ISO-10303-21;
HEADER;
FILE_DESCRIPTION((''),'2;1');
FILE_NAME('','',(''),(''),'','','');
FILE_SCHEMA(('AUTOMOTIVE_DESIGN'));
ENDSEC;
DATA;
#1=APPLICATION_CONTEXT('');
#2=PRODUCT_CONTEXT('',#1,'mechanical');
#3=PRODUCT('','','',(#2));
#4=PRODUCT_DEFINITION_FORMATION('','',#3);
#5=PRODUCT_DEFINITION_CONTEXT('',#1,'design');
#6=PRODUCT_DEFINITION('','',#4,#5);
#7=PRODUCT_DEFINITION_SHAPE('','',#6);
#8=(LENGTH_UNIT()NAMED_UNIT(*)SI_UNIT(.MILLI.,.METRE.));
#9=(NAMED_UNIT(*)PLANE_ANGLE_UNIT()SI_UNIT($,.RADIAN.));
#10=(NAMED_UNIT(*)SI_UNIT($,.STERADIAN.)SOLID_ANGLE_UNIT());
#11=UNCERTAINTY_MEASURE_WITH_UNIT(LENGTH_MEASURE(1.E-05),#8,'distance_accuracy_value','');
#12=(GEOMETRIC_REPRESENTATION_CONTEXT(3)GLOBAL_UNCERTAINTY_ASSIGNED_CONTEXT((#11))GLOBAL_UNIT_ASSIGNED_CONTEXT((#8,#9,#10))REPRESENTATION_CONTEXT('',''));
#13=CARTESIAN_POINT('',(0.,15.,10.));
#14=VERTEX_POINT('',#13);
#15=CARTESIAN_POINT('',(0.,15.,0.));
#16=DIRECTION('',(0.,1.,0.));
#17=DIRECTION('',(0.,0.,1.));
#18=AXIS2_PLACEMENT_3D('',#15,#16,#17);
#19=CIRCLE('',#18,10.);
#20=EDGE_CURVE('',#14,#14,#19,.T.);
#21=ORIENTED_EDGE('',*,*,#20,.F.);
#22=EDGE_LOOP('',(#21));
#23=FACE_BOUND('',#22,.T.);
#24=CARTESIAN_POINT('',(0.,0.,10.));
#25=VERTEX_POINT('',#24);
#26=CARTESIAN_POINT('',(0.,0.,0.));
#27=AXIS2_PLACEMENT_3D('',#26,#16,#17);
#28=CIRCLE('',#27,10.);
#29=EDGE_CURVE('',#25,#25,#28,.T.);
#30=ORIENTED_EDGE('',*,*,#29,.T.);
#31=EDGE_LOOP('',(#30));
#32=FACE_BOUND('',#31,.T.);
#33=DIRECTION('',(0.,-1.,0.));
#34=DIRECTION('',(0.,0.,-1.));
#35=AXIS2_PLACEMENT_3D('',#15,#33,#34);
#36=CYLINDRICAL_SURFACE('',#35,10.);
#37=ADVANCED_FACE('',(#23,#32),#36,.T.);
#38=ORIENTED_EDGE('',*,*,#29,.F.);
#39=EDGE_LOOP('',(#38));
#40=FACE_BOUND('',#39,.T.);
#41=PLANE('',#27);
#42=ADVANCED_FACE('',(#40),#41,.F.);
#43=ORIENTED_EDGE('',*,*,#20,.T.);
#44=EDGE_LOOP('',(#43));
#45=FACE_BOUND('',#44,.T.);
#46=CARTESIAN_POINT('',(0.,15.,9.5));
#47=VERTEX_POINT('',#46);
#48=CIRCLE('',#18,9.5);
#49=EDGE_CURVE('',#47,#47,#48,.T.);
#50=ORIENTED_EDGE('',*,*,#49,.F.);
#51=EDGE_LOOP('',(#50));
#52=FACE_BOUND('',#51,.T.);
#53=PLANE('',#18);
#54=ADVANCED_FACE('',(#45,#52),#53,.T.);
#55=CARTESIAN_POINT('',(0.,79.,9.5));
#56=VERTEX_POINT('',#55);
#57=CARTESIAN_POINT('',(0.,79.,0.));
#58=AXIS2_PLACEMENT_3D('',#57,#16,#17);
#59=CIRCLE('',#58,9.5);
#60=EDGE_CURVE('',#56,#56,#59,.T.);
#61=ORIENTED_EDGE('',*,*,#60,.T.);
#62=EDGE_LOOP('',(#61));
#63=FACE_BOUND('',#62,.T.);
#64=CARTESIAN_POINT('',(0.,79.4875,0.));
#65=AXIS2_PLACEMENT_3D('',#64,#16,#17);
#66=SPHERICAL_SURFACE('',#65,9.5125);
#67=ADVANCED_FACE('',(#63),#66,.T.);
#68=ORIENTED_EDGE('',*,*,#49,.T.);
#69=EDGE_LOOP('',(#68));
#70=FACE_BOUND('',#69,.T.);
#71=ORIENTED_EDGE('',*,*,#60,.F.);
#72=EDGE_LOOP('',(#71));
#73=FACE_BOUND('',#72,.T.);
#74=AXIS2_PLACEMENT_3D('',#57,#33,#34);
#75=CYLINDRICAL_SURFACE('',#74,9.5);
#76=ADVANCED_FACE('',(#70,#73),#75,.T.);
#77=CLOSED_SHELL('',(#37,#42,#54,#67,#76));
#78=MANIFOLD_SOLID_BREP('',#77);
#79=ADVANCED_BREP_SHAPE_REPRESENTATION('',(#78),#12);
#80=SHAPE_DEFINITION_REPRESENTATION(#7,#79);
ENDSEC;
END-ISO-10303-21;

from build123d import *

# Parameters (mm, degrees)
SKETCH1_R           = 10
BOSS_EXTRUDE1_DEPTH = 15
BOSS_EXTRUDE3_START = -15
SKETCH3_R           = 9.5
BOSS_EXTRUDE3_DEPTH = 64
DOME1_FACE_RADIUS   = 9.5
DOME1_HEIGHT        = 10


with BuildPart() as part:
    # Sketch1 → Boss-Extrude1 (new body)
    with BuildSketch(Plane(origin=(0, 0, 0), x_dir=(1, 0, 0), z_dir=(0, 1, 0))):
        Circle(SKETCH1_R)
    extrude(amount=BOSS_EXTRUDE1_DEPTH)

    # Sketch3 → Boss-Extrude3 (add)
    with BuildSketch(Plane.XZ.offset(BOSS_EXTRUDE3_START)):
        Circle(SKETCH3_R)
    extrude(amount=-BOSS_EXTRUDE3_DEPTH)

    # Dome1: a dome of height H over a round flat face of radius A is a cap of a sphere of radius (A * A + H * H) / (2 * H)
    dome1_r = (DOME1_FACE_RADIUS * DOME1_FACE_RADIUS + DOME1_HEIGHT * DOME1_HEIGHT) / (2 * DOME1_HEIGHT)
    dome1_base = Plane((0, 79, 0), z_dir=(0, 1, 0))
    with Locations(dome1_base.offset(DOME1_HEIGHT - dome1_r)):
        dome1_ball = Sphere(dome1_r, mode=Mode.PRIVATE)
    add(split(dome1_ball, bisect_by=dome1_base, keep=Keep.TOP, mode=Mode.PRIVATE))


solid = part.part
